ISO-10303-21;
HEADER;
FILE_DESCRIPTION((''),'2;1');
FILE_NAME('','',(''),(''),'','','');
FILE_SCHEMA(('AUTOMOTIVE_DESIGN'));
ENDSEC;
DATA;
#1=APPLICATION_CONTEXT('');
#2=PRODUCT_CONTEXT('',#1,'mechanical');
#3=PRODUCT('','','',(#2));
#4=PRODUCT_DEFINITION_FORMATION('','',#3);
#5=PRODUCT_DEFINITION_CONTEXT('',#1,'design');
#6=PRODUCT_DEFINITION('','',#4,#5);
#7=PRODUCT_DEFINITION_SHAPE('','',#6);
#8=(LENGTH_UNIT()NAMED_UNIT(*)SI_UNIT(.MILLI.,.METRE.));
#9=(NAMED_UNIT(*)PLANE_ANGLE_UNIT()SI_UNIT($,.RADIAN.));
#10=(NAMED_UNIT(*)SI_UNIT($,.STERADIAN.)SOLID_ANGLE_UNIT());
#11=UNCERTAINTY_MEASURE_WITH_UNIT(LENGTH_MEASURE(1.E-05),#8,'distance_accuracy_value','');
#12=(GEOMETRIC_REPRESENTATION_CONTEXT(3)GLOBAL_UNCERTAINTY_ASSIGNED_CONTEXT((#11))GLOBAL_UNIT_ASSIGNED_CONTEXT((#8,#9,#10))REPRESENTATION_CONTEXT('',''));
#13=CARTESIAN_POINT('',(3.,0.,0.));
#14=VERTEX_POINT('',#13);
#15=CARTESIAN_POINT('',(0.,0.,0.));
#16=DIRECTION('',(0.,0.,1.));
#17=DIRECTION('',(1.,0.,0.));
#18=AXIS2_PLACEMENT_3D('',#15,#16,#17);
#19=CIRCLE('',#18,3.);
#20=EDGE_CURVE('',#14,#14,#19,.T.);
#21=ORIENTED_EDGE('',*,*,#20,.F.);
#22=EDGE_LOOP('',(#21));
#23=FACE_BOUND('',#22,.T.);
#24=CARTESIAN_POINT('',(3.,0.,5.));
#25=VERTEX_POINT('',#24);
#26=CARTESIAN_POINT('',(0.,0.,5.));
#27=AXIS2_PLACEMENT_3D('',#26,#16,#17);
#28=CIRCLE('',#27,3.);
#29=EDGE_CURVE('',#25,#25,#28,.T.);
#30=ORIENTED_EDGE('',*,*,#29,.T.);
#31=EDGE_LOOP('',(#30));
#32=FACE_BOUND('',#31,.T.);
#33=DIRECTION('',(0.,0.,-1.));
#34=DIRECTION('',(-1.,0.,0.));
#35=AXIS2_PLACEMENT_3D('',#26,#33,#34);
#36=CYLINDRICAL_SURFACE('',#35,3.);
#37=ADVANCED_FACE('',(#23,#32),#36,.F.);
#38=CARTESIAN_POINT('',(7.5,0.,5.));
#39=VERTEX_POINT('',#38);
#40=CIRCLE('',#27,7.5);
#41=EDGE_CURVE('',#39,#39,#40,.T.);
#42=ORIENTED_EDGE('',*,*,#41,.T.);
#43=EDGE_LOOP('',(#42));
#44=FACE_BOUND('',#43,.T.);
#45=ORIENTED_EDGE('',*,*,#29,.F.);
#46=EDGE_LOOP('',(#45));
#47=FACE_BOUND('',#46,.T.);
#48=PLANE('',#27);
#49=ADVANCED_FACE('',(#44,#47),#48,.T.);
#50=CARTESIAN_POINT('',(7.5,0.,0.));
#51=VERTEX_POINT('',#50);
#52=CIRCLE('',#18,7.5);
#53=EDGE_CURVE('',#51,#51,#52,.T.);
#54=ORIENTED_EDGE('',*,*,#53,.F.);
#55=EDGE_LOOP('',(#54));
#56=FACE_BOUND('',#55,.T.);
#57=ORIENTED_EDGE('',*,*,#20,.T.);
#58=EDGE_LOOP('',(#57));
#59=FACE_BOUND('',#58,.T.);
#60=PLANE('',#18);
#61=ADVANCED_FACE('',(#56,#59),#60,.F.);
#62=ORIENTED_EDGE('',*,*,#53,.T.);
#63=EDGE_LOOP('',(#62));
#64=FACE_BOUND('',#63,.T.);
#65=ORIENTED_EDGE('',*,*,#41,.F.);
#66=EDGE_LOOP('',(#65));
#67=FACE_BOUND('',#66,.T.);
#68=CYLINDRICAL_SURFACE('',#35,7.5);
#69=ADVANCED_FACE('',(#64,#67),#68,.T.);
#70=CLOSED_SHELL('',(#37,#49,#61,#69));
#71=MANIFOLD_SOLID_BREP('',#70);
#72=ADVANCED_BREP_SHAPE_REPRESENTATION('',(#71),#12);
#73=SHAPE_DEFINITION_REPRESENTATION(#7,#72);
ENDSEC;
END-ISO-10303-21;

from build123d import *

# Parameters (mm, degrees)
SKETCH1_R           = 7.5
SKETCH1_R_2         = 3
BOSS_EXTRUDE1_DEPTH = 5


with BuildPart() as part:
    # Sketch1 → Boss-Extrude1 (new body)
    with BuildSketch(Plane.XY):
        Circle(SKETCH1_R)
        Circle(SKETCH1_R_2, mode=Mode.SUBTRACT)
    extrude(amount=BOSS_EXTRUDE1_DEPTH)


solid = part.part
